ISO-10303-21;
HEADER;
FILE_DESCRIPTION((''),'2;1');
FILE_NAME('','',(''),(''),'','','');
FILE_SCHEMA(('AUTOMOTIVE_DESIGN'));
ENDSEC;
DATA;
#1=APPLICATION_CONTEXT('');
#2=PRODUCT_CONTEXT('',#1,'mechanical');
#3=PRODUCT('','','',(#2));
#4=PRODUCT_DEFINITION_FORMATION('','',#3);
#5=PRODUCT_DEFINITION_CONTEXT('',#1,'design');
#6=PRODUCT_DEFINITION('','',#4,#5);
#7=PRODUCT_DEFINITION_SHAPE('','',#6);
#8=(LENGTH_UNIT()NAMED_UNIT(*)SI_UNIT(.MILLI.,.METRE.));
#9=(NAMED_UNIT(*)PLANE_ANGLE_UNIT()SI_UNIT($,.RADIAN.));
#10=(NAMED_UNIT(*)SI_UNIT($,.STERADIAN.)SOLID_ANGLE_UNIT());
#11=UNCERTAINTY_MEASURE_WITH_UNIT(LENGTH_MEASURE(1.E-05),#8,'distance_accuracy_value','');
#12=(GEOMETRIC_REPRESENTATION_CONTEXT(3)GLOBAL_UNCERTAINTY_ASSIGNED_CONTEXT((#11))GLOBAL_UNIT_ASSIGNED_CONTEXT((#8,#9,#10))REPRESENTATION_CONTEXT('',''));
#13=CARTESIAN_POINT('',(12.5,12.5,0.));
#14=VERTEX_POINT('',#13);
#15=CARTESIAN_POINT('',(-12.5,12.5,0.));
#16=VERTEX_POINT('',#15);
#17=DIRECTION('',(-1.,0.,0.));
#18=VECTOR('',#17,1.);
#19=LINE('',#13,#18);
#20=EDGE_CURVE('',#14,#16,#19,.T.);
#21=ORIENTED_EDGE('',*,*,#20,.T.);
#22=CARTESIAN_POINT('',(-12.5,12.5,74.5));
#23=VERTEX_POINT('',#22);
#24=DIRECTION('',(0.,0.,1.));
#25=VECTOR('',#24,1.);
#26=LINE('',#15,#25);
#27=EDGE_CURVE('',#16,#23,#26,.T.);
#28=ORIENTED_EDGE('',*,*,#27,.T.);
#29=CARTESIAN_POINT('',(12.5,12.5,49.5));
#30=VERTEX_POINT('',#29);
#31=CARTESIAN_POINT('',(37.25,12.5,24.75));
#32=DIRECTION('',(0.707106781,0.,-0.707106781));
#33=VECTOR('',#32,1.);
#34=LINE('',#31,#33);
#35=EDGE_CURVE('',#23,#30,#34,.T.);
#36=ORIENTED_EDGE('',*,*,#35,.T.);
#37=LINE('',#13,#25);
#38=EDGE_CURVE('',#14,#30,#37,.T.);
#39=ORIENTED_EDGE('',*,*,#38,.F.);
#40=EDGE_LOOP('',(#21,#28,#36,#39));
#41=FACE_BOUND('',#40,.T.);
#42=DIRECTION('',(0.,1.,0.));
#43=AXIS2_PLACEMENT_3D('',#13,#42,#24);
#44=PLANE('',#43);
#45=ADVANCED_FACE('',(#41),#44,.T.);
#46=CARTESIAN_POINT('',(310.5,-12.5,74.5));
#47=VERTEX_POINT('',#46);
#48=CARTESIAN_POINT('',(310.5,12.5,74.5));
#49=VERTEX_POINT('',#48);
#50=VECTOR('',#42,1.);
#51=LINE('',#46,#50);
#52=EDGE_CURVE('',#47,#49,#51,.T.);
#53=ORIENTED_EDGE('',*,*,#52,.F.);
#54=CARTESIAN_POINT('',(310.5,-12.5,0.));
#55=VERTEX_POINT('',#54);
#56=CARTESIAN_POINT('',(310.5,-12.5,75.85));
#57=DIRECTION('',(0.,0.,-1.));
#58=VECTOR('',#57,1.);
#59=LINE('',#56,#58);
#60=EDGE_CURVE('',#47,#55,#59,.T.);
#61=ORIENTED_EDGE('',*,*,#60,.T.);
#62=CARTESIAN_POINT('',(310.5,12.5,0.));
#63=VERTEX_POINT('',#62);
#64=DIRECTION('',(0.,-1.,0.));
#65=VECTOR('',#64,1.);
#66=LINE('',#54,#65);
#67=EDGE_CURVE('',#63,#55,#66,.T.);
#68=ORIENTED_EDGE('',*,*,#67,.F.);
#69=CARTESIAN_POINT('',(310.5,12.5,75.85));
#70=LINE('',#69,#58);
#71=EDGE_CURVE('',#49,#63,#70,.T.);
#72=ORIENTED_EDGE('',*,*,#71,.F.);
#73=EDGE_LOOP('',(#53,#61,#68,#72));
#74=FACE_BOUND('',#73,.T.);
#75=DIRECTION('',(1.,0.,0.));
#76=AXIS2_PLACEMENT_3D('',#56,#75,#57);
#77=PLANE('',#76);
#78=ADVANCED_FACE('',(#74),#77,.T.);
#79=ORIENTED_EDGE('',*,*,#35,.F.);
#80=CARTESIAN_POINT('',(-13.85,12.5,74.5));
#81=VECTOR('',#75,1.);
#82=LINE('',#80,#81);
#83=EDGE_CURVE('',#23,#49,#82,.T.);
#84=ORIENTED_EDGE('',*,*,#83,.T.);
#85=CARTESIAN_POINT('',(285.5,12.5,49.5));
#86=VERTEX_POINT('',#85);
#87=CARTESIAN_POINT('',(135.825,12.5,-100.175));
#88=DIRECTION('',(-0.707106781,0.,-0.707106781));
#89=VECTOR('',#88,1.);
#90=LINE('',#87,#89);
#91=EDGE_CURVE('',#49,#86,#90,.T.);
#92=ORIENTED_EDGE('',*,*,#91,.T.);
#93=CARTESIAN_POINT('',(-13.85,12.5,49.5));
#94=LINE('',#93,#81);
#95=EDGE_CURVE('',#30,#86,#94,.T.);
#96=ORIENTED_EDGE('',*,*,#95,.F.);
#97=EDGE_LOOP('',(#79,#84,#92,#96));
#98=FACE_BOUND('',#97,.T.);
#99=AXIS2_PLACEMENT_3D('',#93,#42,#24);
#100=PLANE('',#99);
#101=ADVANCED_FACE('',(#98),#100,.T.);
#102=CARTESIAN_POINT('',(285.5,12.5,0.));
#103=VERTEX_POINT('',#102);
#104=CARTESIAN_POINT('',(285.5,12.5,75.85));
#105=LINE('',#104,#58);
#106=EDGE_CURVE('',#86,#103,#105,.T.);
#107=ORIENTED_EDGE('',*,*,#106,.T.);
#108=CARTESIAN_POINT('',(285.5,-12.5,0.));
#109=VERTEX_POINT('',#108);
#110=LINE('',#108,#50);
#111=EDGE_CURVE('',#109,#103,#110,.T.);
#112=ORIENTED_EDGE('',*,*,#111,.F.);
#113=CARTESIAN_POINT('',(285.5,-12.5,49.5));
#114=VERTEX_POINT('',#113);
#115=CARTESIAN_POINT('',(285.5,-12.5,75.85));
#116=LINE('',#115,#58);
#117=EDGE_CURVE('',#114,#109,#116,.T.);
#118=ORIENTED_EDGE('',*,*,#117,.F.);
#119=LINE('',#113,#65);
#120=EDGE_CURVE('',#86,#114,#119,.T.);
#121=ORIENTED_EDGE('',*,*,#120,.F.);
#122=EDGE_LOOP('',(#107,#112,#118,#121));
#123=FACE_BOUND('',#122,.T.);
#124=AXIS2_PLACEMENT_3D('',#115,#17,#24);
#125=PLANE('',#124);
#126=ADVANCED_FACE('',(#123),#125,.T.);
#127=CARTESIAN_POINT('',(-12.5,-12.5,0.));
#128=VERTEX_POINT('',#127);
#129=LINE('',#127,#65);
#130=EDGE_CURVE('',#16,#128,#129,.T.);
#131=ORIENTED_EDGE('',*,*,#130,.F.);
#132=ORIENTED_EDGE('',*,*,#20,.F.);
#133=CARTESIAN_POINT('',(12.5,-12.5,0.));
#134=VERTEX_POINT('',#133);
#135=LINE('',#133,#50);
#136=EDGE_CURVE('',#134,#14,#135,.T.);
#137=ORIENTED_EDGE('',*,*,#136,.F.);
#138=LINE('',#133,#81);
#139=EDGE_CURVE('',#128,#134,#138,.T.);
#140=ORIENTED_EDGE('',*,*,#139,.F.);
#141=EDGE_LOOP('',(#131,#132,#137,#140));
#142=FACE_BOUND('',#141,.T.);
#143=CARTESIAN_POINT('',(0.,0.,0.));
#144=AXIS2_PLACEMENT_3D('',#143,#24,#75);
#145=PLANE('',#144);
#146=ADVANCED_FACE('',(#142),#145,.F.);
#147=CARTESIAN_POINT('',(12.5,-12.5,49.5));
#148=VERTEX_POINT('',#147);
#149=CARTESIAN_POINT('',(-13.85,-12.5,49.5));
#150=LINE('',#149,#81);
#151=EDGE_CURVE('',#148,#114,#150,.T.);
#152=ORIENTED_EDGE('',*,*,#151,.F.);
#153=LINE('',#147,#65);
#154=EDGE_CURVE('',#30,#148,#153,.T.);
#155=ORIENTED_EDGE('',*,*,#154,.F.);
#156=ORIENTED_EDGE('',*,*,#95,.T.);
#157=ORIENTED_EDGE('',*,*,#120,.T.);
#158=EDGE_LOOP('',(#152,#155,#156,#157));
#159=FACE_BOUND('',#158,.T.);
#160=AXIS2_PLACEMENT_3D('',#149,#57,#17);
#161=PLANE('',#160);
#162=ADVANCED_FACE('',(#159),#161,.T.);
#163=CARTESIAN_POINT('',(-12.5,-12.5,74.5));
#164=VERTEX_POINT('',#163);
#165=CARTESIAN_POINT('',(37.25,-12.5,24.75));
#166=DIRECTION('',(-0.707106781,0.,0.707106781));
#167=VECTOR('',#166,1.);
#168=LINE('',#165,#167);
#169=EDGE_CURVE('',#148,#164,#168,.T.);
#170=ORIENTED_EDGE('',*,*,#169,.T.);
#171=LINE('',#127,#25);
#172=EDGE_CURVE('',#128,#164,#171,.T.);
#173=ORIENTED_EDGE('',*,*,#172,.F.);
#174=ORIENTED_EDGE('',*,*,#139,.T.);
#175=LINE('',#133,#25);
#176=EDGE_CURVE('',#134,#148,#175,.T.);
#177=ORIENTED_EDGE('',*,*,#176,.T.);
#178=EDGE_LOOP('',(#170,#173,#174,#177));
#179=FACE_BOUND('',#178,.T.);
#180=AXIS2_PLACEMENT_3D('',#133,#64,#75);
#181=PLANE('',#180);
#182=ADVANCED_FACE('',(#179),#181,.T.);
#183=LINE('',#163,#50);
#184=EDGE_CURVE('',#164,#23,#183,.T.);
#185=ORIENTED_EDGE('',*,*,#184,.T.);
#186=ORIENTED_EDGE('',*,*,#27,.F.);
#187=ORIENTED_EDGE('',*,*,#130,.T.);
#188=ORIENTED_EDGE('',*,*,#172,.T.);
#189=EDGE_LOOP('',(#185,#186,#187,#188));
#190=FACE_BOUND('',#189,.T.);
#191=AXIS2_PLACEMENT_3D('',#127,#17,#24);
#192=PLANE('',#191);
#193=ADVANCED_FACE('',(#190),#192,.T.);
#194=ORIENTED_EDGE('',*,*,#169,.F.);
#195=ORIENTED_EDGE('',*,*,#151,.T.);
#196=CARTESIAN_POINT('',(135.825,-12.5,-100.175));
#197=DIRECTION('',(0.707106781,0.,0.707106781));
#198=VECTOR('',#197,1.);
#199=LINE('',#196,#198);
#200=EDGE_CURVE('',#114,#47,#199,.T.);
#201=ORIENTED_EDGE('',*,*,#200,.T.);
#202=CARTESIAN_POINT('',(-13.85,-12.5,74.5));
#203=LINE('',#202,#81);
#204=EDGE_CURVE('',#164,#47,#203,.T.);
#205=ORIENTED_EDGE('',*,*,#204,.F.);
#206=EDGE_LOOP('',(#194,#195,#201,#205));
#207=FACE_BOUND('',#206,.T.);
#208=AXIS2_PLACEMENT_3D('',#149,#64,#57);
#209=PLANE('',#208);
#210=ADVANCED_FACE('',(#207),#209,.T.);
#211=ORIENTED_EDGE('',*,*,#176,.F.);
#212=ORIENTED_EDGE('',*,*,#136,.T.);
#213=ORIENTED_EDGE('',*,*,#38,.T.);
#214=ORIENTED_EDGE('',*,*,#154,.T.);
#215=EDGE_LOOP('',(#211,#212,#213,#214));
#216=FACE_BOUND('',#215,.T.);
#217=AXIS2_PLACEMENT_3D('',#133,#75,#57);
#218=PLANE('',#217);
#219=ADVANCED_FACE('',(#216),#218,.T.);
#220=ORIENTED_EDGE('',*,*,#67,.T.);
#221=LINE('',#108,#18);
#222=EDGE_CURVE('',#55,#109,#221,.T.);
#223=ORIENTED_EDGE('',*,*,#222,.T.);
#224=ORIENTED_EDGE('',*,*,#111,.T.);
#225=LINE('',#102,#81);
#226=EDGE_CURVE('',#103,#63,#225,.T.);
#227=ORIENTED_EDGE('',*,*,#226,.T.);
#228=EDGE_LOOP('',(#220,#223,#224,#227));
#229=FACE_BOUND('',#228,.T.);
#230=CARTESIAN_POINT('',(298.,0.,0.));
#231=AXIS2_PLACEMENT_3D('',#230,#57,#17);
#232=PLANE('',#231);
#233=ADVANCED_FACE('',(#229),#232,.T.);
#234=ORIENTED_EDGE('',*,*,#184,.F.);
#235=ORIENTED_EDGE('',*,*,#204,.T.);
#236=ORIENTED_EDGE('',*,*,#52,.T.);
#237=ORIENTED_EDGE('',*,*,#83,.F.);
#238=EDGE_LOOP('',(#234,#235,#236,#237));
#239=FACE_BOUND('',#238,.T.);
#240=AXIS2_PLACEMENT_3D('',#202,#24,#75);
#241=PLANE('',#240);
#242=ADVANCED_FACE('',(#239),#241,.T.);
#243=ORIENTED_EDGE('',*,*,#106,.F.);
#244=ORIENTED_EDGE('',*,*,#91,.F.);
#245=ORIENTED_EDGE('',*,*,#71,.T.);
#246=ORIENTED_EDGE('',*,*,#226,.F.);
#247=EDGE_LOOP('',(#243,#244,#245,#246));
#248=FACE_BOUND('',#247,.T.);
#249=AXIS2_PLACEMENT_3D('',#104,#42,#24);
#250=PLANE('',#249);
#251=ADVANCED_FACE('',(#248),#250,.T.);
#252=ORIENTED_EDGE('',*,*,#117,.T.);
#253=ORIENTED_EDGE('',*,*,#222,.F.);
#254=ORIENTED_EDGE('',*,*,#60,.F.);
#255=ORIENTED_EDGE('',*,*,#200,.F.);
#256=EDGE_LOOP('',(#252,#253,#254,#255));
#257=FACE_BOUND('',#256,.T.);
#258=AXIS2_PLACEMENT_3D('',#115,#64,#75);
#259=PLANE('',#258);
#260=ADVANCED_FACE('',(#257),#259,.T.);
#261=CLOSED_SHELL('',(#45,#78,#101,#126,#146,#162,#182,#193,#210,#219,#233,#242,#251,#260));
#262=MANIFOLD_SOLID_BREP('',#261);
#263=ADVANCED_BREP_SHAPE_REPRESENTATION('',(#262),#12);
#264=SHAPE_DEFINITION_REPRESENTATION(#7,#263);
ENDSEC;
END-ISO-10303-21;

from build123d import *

# Parameters (mm, degrees)
SKETCH1_W = 25
SKETCH1_H = 25


with BuildPart() as part:
    # Sweep1: sweep along a path in Sketch2
    with BuildLine(Plane(origin=(0, 0, 0), x_dir=(1, 0, 0), z_dir=(0, 1, 0))) as sweep1_path:
        Line((0, 0), (0, -62))
        Line((0, -62), (298, -62))
        Line((298, -62), (298, 0))
    # Sketch1 → Sweep1 (sweep)
    with BuildSketch(Plane.XY):
        Rectangle(SKETCH1_W, SKETCH1_H)
    sweep(path=sweep1_path.line, transition=Transition.RIGHT)


solid = part.part
